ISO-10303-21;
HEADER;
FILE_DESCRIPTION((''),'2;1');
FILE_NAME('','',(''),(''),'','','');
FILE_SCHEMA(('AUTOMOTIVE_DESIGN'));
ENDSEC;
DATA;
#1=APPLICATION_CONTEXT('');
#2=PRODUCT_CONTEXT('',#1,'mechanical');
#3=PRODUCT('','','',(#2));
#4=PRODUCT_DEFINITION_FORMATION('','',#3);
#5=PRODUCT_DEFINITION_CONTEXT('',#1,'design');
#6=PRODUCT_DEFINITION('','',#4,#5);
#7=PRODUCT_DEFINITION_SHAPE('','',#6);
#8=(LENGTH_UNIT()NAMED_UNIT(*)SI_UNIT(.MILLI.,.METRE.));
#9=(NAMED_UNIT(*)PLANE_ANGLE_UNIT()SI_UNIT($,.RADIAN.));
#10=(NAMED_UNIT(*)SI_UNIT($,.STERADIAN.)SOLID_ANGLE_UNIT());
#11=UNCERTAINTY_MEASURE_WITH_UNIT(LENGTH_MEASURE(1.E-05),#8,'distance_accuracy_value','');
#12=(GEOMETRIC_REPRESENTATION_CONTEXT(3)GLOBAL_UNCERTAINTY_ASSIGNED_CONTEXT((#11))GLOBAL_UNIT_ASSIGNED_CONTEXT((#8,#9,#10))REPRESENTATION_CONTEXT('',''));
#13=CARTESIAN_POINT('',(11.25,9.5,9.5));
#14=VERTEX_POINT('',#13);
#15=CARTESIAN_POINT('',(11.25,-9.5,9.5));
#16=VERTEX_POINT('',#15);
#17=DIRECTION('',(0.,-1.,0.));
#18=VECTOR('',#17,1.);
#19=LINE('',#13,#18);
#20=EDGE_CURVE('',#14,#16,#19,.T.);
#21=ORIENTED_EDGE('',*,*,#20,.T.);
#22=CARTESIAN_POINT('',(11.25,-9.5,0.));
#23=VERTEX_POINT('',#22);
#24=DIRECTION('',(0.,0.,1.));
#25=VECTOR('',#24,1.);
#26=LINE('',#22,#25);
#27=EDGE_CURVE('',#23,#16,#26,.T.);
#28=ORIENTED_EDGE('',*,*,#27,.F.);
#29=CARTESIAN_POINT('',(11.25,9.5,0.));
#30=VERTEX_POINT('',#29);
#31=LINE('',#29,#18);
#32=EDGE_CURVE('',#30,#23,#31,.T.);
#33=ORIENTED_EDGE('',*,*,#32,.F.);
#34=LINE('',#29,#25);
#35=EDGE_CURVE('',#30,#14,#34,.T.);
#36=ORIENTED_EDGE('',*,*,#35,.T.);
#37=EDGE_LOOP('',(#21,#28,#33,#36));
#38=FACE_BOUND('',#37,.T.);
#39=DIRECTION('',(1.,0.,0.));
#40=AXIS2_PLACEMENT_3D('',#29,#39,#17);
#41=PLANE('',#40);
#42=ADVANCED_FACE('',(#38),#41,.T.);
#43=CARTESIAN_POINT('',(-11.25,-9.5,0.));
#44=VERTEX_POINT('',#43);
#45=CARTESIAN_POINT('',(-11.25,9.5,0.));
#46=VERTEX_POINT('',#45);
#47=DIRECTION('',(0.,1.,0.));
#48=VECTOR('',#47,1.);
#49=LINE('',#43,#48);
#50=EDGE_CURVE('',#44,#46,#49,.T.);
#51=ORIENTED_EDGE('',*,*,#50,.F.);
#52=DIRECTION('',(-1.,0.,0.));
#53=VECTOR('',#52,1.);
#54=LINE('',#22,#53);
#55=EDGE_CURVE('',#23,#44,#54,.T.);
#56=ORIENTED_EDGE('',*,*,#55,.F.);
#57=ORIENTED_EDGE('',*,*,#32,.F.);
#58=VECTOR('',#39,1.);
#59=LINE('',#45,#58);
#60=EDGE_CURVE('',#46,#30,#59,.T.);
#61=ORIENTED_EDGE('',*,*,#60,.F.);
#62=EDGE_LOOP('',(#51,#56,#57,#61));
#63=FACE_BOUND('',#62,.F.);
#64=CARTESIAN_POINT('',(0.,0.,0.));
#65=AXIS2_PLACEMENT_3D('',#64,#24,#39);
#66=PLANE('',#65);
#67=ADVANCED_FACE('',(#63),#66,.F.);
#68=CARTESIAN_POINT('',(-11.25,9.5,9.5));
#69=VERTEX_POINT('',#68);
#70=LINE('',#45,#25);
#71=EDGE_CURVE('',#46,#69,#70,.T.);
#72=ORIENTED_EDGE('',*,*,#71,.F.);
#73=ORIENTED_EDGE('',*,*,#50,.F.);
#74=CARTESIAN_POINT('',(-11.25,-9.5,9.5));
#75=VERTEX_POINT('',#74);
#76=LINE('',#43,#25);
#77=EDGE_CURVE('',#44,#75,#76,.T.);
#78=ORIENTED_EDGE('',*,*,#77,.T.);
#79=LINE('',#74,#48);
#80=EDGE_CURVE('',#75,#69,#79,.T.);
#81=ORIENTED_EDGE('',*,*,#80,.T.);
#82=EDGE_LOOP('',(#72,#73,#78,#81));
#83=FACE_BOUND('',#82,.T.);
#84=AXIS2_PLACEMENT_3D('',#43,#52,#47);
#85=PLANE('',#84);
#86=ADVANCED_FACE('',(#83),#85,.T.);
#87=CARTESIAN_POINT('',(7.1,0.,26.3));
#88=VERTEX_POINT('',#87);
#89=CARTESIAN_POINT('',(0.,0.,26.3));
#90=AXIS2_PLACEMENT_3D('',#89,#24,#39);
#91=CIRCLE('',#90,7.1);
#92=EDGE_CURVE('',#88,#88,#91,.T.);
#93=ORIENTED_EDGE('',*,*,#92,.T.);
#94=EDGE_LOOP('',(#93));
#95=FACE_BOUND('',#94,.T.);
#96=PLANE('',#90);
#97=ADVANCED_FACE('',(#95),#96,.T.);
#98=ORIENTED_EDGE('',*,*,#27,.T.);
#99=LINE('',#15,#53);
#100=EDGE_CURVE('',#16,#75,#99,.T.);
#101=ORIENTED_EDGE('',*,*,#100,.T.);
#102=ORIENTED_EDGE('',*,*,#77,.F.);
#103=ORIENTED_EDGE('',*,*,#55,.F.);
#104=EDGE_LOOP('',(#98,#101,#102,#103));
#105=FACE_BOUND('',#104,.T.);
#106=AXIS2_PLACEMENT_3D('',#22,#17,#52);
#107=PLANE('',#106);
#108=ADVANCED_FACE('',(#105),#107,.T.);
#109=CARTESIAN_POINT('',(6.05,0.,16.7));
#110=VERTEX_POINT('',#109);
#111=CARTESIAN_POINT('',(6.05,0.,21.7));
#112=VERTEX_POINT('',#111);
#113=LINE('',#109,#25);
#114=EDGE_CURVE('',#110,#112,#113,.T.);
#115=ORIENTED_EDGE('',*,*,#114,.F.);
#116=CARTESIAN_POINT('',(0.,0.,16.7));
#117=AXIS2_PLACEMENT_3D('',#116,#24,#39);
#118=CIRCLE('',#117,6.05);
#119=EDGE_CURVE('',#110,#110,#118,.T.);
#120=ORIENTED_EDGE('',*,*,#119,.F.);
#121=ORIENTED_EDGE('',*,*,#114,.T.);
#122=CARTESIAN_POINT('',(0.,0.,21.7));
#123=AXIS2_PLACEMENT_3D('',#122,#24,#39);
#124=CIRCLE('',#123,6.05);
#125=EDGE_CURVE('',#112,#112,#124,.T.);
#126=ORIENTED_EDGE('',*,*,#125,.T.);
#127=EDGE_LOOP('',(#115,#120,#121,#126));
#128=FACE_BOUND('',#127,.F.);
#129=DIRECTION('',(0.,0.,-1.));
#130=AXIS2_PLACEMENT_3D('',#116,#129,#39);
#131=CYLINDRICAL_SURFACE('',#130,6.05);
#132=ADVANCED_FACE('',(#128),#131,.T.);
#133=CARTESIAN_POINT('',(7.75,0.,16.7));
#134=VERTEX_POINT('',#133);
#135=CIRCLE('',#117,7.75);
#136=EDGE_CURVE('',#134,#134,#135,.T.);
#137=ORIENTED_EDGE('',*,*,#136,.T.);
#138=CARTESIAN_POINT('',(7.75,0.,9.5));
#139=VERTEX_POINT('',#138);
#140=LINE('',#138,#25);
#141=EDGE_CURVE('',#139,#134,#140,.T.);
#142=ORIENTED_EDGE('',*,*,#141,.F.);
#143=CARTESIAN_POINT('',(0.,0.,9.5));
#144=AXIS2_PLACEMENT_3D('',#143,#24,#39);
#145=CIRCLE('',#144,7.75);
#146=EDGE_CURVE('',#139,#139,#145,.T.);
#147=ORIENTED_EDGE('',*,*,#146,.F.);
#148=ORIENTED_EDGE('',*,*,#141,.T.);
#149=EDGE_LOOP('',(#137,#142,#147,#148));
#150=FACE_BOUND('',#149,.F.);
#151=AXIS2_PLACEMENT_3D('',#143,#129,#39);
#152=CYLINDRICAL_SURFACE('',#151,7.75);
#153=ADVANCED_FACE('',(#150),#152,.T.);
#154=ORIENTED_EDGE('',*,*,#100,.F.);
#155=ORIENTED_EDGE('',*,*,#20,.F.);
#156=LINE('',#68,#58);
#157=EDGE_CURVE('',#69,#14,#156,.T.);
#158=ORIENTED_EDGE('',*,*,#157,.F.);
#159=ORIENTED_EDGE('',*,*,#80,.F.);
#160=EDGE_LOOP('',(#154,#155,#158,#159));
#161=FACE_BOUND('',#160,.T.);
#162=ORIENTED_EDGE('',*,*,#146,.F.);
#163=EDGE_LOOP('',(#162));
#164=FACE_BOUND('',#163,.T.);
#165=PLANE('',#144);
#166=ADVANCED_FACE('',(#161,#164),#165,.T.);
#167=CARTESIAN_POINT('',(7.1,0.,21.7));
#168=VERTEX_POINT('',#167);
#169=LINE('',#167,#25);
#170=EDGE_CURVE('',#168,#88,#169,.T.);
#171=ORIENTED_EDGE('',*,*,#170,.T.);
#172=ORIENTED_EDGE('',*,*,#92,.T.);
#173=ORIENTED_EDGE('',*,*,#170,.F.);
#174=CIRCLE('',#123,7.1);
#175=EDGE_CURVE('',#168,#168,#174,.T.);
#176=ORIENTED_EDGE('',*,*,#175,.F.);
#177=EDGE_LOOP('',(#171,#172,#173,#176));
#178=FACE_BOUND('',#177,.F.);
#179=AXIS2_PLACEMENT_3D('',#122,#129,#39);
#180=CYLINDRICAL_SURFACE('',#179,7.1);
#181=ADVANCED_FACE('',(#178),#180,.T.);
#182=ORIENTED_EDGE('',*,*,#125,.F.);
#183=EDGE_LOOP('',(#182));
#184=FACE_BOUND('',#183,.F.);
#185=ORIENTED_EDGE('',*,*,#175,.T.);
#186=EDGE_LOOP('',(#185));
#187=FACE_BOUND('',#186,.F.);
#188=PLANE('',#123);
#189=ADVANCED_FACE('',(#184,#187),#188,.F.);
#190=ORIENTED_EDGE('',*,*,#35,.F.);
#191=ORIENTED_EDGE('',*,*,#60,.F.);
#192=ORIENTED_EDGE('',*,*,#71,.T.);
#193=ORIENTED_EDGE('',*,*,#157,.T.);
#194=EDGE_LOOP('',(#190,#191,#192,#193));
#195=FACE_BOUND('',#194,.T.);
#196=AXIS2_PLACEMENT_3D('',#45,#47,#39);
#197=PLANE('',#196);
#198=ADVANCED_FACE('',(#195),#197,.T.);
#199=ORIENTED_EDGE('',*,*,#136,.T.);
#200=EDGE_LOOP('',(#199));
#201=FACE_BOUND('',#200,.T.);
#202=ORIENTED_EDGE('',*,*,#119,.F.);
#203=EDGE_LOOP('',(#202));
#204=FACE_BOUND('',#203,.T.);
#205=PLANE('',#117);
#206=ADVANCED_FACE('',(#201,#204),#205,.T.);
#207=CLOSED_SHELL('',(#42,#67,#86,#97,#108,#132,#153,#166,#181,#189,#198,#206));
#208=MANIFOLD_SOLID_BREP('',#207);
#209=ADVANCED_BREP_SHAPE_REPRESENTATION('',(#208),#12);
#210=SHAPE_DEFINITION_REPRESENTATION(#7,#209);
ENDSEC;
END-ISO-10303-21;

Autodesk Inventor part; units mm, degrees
ref_plane "YZ Plane" through (0, 0, 0) normal (1, 0, 0) x (0, 1, 0)
ref_plane "XZ Plane" through (0, 0, 0) normal (0, 1, 0) x (-1, 0, 0)
ref_plane "XY Plane" through (0, 0, 0) normal (0, 0, 1) x (1, 0, 0)
sketch "Sketch1" plane through (0, 0, 0) normal (0, 0, 1) x (1, 0, 0)
  line L0 (-11.25, 9.5) -> (11.25, 9.5)
  line L1 (11.25, 9.5) -> (11.25, -9.5)
  line L2 (11.25, -9.5) -> (-11.25, -9.5)
  line L3 (-11.25, -9.5) -> (-11.25, 9.5)
  point P0 (0, 0)
  point P1 (-11.25, 0)
  point P2 (0, 9.5)
  dimension "d0" = 19
  dimension "d1" = 22.5
extrude "Extrusion1" add sketch "Sketch1" along normal blind 9.5
sketch "Sketch2" plane through (0, 0, 9.5) normal (0, 0, 1) x (1, 0, 0)
  circle A0 centre (0, 0) radius 7.75
  dimension "d4" = 15.5
extrude "Extrusion2" add sketch "Sketch2" along normal blind 7.2
sketch "Sketch3" plane through (0, 0, 16.7) normal (0, 0, 1) x (1, 0, 0)
  circle A0 centre (0, 0) radius 6.05
  dimension "d7" = 12.1
extrude "Extrusion3" add sketch "Sketch3" along normal blind 5
sketch "Sketch4" plane through (0, 0, 21.7) normal (0, 0, 1) x (1, 0, 0)
  circle A0 centre (0, 0) radius 7.1
  dimension "d10" = 14.2
extrude "Extrusion4" add sketch "Sketch4" along normal blind 4.6
properties part number "Camera"
